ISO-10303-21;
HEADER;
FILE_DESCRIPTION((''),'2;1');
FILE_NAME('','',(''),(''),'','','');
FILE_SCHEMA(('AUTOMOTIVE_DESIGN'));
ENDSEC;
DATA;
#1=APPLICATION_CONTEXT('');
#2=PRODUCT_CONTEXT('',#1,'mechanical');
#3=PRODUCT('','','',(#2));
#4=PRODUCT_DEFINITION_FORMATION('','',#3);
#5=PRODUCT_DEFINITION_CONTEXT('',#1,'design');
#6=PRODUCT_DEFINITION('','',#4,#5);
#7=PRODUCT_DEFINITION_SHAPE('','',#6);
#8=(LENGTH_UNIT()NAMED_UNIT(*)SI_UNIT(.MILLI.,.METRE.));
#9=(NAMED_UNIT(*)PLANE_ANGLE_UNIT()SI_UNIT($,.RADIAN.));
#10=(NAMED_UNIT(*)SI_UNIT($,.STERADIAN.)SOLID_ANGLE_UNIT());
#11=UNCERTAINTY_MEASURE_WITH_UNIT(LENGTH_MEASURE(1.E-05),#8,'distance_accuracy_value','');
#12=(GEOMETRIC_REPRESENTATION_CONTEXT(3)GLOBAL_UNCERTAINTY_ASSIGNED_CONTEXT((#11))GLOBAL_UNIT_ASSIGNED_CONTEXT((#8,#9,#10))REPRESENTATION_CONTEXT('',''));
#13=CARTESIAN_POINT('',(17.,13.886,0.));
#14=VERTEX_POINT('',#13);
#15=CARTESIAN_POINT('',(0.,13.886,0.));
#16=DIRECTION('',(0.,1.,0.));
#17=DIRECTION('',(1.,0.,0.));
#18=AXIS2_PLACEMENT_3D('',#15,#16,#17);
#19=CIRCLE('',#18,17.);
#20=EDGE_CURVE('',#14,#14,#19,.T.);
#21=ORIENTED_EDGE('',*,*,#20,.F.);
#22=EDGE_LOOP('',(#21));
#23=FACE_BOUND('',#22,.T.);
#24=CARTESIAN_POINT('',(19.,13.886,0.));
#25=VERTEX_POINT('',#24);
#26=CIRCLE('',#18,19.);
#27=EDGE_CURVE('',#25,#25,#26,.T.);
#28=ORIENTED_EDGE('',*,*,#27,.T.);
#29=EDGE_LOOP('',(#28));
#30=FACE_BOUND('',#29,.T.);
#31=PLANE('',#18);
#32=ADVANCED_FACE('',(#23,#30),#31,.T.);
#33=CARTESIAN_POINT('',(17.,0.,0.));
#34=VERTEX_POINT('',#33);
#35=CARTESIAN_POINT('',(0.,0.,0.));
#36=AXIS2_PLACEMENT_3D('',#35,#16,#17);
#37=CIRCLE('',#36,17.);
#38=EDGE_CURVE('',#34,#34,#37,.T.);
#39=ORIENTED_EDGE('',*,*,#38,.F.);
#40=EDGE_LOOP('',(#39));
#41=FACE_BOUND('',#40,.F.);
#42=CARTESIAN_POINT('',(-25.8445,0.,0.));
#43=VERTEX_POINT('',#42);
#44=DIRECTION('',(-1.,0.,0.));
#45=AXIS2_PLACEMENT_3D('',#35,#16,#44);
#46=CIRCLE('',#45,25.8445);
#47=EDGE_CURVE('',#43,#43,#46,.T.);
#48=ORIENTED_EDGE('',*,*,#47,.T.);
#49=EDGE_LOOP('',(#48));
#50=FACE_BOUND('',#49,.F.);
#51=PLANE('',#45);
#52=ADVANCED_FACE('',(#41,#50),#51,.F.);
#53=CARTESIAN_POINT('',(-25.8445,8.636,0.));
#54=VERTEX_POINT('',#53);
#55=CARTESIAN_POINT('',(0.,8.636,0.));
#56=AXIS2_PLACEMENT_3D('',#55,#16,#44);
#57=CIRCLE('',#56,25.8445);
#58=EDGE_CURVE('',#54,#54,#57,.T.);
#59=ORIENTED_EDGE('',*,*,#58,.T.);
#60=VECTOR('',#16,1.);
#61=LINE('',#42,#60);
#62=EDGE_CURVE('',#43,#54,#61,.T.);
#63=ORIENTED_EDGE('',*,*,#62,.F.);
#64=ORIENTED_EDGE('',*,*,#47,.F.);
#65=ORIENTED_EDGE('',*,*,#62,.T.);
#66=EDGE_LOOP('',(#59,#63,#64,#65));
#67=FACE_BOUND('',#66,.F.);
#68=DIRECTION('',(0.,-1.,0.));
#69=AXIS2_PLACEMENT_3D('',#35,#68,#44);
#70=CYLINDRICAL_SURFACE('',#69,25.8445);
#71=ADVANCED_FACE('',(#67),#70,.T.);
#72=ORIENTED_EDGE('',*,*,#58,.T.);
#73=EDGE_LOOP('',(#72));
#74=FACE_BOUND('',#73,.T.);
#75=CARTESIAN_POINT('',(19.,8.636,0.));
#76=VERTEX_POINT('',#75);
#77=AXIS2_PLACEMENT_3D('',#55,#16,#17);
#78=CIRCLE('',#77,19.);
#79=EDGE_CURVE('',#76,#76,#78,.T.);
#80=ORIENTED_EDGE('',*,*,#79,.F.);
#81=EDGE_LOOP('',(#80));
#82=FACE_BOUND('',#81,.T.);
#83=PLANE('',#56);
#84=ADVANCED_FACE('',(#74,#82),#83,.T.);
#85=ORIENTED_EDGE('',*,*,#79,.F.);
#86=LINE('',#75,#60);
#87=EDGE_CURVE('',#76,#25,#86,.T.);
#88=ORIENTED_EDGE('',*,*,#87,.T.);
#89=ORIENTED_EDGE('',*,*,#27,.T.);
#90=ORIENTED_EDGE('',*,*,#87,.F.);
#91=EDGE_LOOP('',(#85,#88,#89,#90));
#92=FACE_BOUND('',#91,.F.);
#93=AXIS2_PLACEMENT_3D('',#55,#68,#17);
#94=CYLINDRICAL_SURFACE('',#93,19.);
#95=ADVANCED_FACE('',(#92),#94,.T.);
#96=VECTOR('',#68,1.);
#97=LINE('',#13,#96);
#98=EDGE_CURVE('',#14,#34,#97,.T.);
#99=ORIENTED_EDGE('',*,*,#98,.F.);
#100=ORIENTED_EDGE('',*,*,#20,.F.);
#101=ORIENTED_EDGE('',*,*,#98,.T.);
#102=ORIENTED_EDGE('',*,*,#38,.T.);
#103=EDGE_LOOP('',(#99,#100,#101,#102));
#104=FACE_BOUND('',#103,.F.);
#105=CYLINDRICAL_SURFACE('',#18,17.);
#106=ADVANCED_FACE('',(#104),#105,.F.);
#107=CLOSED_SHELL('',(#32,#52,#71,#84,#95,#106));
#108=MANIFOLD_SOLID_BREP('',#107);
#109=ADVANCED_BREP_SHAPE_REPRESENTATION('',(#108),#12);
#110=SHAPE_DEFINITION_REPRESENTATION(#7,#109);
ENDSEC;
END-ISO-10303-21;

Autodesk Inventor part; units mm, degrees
ref_plane "YZ Plane" through (0, 0, 0) normal (1, 0, 0) x (0, 1, 0)
ref_plane "XZ Plane" through (0, 0, 0) normal (0, 1, 0) x (-1, 0, 0)
ref_plane "XY Plane" through (0, 0, 0) normal (0, 0, 1) x (1, 0, 0)
sketch "Sketch1" plane through (0, 0, 0) normal (0, 1, 0) x (-1, 0, 0)
  circle A0 centre (0, 0) radius 25.8445
  dimension "d0" = 51.689
extrude "Extrusion1" add sketch "Sketch1" along normal blind 8.636
sketch "Sketch2" plane through (0, 8.636, 0) normal (0, 1, 0) x (1, 0, 0)
  circle A0 centre (0, 0) radius 19
  dimension "d3" = 37.9999
extrude "Extrusion2" add sketch "Sketch2" along normal blind 5.25
sketch "Sketch3" plane through (0, 13.886, 0) normal (0, 1, 0) x (1, 0, 0)
  circle A0 centre (0, 0) radius 17
  dimension "d6" = 33.9999
extrude "Extrusion3" cut sketch "Sketch3" against normal through all
thread "Thread2" size "2.035-40 UNS" designation "SM2 (2.035-40 UNS)" class "2A" standard "ANSI Unified Screw Threads" full length
properties part number "38mm to SM2" material "Aluminum 6061-AHC"
